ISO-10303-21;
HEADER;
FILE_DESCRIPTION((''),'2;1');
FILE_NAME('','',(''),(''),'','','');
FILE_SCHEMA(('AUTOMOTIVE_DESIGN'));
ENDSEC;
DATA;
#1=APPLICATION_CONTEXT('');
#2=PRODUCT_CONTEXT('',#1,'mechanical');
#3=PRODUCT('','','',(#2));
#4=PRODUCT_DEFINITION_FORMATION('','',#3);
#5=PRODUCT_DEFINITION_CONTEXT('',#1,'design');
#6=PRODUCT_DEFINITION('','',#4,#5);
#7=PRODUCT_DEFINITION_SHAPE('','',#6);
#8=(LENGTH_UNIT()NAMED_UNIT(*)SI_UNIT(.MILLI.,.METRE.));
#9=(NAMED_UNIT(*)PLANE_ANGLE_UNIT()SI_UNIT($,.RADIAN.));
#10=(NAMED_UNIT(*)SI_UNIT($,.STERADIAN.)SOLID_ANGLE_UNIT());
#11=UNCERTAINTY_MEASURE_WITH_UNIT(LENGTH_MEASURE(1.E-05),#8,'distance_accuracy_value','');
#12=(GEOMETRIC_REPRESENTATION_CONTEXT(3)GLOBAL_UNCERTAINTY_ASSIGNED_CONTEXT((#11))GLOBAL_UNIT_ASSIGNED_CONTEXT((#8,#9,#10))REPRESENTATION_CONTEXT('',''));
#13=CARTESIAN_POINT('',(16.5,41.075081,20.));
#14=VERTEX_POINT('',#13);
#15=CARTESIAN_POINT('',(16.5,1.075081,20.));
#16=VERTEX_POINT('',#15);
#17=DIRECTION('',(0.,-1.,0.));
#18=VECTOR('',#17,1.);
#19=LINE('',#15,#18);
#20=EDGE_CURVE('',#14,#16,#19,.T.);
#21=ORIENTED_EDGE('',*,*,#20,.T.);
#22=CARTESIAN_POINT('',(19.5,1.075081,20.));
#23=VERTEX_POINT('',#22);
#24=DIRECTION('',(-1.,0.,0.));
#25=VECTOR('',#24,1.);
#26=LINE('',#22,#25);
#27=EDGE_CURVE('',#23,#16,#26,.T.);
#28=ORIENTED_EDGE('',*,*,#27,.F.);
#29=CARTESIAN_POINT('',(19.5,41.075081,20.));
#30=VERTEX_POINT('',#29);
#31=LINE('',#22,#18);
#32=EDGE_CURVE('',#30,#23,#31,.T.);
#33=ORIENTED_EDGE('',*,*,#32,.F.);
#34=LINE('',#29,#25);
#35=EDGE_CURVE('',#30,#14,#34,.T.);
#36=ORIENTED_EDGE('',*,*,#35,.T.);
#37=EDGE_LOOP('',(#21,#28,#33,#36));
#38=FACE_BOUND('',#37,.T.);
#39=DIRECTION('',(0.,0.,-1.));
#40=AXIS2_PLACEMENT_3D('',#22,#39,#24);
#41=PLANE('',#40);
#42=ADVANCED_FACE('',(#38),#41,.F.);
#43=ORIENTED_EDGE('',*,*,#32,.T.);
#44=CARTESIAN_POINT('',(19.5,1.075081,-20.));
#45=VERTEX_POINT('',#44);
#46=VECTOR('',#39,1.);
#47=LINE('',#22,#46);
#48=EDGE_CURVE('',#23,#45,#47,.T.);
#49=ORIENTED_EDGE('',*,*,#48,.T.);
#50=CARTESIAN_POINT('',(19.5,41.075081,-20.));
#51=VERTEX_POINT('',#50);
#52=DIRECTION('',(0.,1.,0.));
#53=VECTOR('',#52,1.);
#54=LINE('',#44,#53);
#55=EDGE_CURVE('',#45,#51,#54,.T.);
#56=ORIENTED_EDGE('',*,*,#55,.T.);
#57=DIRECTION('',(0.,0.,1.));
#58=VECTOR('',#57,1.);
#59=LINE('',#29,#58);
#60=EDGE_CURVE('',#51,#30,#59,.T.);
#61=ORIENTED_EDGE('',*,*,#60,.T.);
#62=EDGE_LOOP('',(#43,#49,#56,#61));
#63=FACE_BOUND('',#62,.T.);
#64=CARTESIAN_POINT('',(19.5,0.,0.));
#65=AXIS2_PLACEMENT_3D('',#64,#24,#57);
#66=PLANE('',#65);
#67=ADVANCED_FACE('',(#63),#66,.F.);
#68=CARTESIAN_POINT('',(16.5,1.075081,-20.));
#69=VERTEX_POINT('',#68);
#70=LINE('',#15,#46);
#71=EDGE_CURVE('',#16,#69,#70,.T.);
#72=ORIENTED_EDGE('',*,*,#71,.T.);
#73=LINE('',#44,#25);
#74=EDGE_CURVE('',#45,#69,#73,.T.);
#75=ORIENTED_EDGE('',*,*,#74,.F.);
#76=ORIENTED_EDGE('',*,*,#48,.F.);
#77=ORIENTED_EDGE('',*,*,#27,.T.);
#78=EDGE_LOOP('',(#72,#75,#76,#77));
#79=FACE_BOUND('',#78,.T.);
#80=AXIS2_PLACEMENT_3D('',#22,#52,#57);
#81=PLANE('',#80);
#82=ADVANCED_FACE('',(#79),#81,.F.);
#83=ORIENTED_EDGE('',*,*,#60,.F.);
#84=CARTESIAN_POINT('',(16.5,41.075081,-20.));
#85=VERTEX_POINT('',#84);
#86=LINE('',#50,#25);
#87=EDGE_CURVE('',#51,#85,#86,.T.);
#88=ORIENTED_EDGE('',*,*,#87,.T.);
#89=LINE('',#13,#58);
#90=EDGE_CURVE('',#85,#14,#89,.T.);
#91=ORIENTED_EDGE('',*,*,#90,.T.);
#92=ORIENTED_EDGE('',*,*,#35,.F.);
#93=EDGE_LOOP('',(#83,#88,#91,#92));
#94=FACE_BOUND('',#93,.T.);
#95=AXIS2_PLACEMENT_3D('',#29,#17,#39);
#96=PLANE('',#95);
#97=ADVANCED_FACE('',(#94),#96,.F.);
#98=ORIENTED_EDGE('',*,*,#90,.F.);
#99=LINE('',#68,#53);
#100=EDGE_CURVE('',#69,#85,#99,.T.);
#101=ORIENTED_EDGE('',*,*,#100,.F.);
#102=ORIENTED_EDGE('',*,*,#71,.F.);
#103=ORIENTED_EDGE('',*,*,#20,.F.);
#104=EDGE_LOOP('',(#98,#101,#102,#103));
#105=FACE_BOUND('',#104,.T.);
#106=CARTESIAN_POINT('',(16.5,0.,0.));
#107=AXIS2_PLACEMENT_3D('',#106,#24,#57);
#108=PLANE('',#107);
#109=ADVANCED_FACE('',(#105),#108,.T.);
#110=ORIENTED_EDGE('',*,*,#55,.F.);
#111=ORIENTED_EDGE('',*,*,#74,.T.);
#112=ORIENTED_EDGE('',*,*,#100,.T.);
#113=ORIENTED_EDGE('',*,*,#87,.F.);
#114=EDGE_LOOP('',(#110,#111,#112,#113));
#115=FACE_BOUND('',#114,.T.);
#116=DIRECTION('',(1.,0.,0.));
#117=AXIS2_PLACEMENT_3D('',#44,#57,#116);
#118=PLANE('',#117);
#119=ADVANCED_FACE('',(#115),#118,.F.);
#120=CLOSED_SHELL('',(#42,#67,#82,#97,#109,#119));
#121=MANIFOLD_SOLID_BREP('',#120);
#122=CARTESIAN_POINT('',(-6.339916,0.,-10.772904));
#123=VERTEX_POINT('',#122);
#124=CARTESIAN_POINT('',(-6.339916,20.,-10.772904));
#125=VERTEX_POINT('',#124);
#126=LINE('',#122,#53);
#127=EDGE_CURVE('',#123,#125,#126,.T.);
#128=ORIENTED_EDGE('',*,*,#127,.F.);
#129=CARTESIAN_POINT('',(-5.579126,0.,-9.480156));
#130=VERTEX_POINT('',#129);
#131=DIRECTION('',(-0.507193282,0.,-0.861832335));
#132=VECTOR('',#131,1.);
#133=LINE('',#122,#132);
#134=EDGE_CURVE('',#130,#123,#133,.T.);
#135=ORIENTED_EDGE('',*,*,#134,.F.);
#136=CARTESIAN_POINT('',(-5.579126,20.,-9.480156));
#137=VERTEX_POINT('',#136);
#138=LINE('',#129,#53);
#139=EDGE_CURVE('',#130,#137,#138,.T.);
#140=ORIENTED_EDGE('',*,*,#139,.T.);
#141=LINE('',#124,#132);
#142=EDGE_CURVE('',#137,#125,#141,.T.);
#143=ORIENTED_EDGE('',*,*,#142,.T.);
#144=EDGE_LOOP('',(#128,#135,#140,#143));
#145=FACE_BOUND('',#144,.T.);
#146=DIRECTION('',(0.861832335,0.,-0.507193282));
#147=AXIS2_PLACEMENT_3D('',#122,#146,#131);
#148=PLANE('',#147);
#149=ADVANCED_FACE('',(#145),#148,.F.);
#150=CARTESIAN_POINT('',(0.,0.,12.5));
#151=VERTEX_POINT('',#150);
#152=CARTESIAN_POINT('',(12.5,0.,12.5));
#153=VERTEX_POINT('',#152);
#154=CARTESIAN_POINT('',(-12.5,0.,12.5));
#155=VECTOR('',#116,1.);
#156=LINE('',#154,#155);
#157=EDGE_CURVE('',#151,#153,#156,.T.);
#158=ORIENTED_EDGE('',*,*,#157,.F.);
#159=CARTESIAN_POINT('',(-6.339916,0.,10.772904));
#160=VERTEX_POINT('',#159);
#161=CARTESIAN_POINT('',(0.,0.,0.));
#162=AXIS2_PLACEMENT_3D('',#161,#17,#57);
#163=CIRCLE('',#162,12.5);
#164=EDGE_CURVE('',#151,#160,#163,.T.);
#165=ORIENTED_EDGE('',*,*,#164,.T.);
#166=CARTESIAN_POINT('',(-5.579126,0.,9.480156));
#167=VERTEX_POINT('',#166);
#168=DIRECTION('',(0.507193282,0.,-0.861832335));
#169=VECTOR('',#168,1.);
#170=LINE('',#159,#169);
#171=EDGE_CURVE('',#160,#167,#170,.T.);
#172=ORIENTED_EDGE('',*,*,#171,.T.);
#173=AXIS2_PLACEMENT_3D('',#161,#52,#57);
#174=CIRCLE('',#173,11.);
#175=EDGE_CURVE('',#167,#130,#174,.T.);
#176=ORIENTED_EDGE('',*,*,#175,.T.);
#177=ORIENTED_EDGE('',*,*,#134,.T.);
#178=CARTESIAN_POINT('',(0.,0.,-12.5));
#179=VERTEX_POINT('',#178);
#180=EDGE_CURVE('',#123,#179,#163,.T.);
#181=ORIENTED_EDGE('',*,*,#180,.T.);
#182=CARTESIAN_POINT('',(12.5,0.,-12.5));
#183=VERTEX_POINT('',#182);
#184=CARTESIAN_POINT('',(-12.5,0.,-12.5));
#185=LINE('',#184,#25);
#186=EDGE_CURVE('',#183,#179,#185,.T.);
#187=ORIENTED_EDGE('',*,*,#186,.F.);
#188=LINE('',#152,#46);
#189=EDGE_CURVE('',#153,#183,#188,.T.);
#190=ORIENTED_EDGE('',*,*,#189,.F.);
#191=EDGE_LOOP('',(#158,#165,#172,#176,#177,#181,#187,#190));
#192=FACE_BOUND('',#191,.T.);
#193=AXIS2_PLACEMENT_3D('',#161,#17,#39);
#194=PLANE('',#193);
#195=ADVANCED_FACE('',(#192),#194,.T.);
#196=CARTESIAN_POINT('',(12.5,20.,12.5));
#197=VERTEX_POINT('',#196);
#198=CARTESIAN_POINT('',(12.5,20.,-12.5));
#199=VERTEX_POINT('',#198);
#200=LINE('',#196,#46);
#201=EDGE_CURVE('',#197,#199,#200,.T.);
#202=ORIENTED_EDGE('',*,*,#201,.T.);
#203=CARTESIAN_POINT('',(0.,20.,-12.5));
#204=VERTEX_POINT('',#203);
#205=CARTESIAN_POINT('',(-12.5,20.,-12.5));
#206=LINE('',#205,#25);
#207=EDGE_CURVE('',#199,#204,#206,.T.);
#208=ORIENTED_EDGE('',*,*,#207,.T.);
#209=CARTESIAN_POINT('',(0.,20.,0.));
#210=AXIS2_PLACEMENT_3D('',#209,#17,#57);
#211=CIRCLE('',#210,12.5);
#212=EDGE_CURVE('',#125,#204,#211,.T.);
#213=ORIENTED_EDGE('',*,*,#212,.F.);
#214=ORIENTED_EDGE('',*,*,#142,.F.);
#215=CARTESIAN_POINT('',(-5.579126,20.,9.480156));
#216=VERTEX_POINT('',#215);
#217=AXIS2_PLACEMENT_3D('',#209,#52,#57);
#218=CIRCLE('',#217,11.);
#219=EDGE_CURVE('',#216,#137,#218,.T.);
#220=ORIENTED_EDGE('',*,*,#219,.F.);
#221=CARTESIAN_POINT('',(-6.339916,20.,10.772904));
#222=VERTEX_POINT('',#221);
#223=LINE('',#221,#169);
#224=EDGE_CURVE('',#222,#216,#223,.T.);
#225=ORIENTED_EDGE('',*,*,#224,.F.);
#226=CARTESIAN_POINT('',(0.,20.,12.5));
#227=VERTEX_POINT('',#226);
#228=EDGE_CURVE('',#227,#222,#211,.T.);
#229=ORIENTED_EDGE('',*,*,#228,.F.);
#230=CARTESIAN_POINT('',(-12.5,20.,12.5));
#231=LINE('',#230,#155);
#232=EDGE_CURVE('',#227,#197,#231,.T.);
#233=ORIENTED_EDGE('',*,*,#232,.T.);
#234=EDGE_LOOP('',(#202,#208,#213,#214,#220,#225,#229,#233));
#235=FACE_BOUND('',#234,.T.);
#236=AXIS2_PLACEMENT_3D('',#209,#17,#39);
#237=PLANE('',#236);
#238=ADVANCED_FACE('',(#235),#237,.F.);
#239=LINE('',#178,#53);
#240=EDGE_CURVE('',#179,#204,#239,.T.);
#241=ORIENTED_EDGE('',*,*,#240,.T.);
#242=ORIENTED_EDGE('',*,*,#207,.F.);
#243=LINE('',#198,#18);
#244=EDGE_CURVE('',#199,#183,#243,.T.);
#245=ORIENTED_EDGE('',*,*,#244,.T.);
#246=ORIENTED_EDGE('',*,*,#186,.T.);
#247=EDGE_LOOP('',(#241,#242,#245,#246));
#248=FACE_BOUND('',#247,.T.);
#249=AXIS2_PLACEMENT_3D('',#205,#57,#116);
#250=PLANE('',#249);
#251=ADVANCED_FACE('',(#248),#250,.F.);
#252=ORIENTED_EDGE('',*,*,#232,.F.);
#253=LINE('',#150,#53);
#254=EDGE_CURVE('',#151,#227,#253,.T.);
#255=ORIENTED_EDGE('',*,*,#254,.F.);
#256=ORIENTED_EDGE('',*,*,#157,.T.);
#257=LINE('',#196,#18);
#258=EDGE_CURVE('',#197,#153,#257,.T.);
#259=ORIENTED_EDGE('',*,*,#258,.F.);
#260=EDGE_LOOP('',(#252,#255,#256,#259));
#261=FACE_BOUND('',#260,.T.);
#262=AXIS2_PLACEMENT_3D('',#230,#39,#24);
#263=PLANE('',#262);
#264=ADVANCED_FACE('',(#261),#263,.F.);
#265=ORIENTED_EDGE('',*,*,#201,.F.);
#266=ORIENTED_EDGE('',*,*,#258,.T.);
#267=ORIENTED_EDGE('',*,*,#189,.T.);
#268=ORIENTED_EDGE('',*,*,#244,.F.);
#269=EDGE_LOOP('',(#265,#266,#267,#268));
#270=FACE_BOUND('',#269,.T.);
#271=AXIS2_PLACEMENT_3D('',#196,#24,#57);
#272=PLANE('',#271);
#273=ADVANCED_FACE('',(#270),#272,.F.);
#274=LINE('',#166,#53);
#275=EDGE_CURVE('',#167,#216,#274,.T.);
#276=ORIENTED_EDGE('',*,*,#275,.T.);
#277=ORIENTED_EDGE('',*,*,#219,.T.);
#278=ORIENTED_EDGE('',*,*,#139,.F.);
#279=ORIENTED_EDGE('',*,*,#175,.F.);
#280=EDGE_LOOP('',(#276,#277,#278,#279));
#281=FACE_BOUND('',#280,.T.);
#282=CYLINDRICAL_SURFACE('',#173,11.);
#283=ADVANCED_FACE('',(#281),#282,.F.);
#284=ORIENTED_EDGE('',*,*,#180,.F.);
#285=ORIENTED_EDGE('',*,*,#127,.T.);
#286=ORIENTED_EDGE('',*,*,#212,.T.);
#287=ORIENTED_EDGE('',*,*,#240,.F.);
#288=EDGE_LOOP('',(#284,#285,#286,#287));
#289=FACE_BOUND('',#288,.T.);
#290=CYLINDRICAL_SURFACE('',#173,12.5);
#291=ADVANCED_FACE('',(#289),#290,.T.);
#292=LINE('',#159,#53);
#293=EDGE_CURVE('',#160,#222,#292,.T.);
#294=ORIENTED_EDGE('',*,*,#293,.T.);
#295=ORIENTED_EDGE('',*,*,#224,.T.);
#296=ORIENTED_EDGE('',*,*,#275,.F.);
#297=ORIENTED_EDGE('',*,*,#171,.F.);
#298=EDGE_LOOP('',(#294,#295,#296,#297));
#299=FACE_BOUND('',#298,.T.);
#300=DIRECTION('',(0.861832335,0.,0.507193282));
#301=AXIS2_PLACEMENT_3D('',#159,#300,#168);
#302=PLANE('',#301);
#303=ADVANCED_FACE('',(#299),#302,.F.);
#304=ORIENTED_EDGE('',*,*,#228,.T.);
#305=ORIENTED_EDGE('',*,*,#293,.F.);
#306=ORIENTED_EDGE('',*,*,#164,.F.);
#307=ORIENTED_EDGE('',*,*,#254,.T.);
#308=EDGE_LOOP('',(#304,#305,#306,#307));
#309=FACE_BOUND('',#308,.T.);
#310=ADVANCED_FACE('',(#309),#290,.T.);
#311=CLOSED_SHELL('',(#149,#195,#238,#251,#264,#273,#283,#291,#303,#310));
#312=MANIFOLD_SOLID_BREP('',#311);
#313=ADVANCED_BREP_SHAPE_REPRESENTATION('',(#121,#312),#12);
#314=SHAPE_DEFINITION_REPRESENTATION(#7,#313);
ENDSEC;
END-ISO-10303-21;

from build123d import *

# Parameters (mm, degrees)
SKETCH23_W          = 25
SKETCH23_H          = 25
BOSS_EXTRUDE6_DEPTH = 20
SKETCH24_R          = 11
CUT_EXTRUDE7_DEPTH  = 21
CUT_EXTRUDE8_DEPTH  = 21
SKETCH26_W          = 40
SKETCH26_H          = 40
BOSS_EXTRUDE7_DEPTH = 3


with BuildPart() as part:
    # Sketch23 → Boss-Extrude6 (new body)
    with BuildSketch(Plane(origin=(0, 0, 0), x_dir=(1, 0, 0), z_dir=(0, 1, 0))):
        Rectangle(SKETCH23_W, SKETCH23_H)
    extrude(amount=BOSS_EXTRUDE6_DEPTH)

    # Sketch24 → Cut-Extrude7 (cut, through all)
    with BuildSketch(Plane(origin=(0, 20, 0), x_dir=(1, 0, 0), z_dir=(0, 1, 0))):
        Circle(SKETCH24_R)
    extrude(amount=-CUT_EXTRUDE7_DEPTH, mode=Mode.SUBTRACT)

    # Sketch25 → Cut-Extrude8 (cut, through all)
    with BuildSketch(Plane(origin=(0, 20, 0), x_dir=(1, 0, 0), z_dir=(0, 1, 0))):
        with BuildLine():
            Line((0, 12.5), (-12.5, 12.5))
            Line((-12.5, 12.5), (-12.5, -12.5))
            Line((-12.5, -12.5), (0, -12.5))
            ThreePointArc((0, -12.5), (-3.28547543, -12.060499625), (-6.33991603, -10.772904192))
            Line((-6.33991603, -10.772904192), (-5.579126107, -9.480155689))
            ThreePointArc((-5.579126107, -9.480155689), (-11, 0), (-5.579126107, 9.480155689))
            Line((-5.579126107, 9.480155689), (-6.33991603, 10.772904192))
            ThreePointArc((-6.33991603, 10.772904192), (-3.28547543, 12.060499625), (0, 12.5))
        make_face()
    extrude(amount=-CUT_EXTRUDE8_DEPTH, mode=Mode.SUBTRACT)


with BuildPart() as body_2:
    # Sketch26 → Boss-Extrude7 (new body)
    with BuildSketch(Plane(origin=(16.5, 0, 0), x_dir=(0, 0, -1), z_dir=(1, 0, 0))):
        with Locations((0, 21.075080982)):
            Rectangle(SKETCH26_W, SKETCH26_H)
    extrude(amount=BOSS_EXTRUDE7_DEPTH)


solid = Compound([part.part, body_2.part])
